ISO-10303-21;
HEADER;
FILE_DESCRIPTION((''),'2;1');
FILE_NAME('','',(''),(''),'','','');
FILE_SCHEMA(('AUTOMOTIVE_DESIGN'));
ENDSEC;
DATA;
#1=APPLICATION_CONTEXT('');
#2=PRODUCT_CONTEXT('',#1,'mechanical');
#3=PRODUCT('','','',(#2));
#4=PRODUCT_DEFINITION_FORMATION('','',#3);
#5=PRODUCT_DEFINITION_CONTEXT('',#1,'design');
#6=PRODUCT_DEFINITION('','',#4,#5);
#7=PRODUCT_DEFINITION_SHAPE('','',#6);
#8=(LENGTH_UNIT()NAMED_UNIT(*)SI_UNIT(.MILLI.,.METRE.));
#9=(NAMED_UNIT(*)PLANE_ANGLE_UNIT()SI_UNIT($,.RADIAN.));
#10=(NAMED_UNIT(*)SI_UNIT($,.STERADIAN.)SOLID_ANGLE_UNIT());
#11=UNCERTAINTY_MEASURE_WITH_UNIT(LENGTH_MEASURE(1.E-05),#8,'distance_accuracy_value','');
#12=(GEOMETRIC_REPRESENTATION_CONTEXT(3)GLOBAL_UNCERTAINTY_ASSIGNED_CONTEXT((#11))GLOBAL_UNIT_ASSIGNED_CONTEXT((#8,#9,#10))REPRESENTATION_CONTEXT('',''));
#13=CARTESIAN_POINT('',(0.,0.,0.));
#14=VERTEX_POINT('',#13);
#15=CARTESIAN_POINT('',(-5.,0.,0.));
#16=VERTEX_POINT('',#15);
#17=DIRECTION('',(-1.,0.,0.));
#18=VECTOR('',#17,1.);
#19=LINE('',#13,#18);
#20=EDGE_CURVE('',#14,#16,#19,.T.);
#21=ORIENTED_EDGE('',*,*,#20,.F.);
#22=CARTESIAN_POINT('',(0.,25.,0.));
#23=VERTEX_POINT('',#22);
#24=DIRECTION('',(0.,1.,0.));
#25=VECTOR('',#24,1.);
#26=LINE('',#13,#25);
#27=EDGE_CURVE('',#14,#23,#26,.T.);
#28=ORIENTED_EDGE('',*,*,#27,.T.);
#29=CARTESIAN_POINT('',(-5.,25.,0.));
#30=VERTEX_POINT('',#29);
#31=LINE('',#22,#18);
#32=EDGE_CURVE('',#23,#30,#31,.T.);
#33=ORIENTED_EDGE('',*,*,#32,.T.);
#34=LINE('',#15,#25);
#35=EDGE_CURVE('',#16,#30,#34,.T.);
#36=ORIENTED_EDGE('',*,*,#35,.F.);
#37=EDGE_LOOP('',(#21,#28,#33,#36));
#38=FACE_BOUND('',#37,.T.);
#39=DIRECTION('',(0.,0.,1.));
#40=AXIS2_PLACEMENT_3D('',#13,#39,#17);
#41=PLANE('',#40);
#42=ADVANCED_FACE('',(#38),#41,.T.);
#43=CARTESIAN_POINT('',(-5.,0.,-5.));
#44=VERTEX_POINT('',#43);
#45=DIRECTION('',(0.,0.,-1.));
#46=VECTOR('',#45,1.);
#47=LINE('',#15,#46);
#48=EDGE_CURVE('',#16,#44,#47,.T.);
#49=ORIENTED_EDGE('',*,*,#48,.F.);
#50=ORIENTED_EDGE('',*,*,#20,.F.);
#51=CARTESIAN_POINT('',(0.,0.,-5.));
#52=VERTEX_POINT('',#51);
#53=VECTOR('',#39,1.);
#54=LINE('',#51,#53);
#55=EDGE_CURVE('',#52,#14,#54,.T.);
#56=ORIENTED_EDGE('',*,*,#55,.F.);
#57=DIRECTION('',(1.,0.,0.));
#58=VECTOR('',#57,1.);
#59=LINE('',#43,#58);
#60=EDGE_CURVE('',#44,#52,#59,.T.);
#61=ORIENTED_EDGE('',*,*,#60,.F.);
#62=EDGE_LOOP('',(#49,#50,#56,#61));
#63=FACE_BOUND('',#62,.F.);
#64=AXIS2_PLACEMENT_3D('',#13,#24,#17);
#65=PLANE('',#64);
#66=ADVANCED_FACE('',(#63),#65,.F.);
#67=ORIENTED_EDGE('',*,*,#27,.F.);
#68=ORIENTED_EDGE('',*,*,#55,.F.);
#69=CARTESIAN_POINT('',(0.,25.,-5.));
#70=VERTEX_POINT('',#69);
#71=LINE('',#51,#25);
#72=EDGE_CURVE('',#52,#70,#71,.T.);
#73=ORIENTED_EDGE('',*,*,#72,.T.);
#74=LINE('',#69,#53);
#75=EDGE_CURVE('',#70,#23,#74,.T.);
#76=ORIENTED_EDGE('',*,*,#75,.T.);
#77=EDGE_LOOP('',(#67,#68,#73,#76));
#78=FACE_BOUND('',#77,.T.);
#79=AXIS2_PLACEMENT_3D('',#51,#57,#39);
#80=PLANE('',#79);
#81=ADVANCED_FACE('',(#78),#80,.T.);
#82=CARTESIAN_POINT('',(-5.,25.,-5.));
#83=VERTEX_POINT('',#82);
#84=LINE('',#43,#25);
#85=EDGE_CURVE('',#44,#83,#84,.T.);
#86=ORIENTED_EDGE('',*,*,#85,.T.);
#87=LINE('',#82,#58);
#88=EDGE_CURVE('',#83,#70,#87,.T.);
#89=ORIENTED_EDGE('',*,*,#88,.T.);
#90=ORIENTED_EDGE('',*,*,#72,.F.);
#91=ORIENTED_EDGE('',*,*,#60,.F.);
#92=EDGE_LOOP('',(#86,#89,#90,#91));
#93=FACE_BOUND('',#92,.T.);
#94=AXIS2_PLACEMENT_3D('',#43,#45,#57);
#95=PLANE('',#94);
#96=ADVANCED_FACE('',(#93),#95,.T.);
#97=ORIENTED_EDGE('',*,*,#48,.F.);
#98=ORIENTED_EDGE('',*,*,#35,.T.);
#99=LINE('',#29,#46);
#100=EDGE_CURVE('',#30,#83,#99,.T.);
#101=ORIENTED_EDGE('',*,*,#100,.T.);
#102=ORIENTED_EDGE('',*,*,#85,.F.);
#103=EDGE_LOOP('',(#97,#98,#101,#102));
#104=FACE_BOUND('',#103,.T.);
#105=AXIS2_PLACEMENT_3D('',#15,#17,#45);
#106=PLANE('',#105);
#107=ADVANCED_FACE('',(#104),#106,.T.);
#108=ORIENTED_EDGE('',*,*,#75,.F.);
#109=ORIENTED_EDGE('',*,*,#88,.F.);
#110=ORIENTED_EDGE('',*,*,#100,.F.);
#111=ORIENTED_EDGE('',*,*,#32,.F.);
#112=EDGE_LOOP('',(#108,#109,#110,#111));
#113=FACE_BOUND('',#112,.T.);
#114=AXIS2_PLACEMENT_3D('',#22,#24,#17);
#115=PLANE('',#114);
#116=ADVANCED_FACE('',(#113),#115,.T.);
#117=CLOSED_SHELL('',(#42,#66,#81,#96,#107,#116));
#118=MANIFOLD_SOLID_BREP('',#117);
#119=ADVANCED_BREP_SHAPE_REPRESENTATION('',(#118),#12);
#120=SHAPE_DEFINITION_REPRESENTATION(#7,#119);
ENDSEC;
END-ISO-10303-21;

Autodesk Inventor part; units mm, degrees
ref_plane "YZ Plane" through (0, 0, 0) normal (1, 0, 0) x (0, 1, 0)
ref_plane "XZ Plane" through (0, 0, 0) normal (0, 1, 0) x (-1, 0, 0)
ref_plane "XY Plane" through (0, 0, 0) normal (0, 0, 1) x (1, 0, 0)
sketch "Sketch1" plane through (0, 0, 0) normal (0, 1, 0) x (-1, 0, 0)
  line L0 (0, 0) -> (5, 0)
  line L1 (5, 0) -> (5, -5)
  line L2 (5, -5) -> (0, -5)
  line L3 (0, -5) -> (0, 0)
  dimension "d0" = 5
  dimension "d1" = 5
extrude "Extrusion1" add sketch "Sketch1" along normal blind 25
properties part number "exercicio 3- peça4"
